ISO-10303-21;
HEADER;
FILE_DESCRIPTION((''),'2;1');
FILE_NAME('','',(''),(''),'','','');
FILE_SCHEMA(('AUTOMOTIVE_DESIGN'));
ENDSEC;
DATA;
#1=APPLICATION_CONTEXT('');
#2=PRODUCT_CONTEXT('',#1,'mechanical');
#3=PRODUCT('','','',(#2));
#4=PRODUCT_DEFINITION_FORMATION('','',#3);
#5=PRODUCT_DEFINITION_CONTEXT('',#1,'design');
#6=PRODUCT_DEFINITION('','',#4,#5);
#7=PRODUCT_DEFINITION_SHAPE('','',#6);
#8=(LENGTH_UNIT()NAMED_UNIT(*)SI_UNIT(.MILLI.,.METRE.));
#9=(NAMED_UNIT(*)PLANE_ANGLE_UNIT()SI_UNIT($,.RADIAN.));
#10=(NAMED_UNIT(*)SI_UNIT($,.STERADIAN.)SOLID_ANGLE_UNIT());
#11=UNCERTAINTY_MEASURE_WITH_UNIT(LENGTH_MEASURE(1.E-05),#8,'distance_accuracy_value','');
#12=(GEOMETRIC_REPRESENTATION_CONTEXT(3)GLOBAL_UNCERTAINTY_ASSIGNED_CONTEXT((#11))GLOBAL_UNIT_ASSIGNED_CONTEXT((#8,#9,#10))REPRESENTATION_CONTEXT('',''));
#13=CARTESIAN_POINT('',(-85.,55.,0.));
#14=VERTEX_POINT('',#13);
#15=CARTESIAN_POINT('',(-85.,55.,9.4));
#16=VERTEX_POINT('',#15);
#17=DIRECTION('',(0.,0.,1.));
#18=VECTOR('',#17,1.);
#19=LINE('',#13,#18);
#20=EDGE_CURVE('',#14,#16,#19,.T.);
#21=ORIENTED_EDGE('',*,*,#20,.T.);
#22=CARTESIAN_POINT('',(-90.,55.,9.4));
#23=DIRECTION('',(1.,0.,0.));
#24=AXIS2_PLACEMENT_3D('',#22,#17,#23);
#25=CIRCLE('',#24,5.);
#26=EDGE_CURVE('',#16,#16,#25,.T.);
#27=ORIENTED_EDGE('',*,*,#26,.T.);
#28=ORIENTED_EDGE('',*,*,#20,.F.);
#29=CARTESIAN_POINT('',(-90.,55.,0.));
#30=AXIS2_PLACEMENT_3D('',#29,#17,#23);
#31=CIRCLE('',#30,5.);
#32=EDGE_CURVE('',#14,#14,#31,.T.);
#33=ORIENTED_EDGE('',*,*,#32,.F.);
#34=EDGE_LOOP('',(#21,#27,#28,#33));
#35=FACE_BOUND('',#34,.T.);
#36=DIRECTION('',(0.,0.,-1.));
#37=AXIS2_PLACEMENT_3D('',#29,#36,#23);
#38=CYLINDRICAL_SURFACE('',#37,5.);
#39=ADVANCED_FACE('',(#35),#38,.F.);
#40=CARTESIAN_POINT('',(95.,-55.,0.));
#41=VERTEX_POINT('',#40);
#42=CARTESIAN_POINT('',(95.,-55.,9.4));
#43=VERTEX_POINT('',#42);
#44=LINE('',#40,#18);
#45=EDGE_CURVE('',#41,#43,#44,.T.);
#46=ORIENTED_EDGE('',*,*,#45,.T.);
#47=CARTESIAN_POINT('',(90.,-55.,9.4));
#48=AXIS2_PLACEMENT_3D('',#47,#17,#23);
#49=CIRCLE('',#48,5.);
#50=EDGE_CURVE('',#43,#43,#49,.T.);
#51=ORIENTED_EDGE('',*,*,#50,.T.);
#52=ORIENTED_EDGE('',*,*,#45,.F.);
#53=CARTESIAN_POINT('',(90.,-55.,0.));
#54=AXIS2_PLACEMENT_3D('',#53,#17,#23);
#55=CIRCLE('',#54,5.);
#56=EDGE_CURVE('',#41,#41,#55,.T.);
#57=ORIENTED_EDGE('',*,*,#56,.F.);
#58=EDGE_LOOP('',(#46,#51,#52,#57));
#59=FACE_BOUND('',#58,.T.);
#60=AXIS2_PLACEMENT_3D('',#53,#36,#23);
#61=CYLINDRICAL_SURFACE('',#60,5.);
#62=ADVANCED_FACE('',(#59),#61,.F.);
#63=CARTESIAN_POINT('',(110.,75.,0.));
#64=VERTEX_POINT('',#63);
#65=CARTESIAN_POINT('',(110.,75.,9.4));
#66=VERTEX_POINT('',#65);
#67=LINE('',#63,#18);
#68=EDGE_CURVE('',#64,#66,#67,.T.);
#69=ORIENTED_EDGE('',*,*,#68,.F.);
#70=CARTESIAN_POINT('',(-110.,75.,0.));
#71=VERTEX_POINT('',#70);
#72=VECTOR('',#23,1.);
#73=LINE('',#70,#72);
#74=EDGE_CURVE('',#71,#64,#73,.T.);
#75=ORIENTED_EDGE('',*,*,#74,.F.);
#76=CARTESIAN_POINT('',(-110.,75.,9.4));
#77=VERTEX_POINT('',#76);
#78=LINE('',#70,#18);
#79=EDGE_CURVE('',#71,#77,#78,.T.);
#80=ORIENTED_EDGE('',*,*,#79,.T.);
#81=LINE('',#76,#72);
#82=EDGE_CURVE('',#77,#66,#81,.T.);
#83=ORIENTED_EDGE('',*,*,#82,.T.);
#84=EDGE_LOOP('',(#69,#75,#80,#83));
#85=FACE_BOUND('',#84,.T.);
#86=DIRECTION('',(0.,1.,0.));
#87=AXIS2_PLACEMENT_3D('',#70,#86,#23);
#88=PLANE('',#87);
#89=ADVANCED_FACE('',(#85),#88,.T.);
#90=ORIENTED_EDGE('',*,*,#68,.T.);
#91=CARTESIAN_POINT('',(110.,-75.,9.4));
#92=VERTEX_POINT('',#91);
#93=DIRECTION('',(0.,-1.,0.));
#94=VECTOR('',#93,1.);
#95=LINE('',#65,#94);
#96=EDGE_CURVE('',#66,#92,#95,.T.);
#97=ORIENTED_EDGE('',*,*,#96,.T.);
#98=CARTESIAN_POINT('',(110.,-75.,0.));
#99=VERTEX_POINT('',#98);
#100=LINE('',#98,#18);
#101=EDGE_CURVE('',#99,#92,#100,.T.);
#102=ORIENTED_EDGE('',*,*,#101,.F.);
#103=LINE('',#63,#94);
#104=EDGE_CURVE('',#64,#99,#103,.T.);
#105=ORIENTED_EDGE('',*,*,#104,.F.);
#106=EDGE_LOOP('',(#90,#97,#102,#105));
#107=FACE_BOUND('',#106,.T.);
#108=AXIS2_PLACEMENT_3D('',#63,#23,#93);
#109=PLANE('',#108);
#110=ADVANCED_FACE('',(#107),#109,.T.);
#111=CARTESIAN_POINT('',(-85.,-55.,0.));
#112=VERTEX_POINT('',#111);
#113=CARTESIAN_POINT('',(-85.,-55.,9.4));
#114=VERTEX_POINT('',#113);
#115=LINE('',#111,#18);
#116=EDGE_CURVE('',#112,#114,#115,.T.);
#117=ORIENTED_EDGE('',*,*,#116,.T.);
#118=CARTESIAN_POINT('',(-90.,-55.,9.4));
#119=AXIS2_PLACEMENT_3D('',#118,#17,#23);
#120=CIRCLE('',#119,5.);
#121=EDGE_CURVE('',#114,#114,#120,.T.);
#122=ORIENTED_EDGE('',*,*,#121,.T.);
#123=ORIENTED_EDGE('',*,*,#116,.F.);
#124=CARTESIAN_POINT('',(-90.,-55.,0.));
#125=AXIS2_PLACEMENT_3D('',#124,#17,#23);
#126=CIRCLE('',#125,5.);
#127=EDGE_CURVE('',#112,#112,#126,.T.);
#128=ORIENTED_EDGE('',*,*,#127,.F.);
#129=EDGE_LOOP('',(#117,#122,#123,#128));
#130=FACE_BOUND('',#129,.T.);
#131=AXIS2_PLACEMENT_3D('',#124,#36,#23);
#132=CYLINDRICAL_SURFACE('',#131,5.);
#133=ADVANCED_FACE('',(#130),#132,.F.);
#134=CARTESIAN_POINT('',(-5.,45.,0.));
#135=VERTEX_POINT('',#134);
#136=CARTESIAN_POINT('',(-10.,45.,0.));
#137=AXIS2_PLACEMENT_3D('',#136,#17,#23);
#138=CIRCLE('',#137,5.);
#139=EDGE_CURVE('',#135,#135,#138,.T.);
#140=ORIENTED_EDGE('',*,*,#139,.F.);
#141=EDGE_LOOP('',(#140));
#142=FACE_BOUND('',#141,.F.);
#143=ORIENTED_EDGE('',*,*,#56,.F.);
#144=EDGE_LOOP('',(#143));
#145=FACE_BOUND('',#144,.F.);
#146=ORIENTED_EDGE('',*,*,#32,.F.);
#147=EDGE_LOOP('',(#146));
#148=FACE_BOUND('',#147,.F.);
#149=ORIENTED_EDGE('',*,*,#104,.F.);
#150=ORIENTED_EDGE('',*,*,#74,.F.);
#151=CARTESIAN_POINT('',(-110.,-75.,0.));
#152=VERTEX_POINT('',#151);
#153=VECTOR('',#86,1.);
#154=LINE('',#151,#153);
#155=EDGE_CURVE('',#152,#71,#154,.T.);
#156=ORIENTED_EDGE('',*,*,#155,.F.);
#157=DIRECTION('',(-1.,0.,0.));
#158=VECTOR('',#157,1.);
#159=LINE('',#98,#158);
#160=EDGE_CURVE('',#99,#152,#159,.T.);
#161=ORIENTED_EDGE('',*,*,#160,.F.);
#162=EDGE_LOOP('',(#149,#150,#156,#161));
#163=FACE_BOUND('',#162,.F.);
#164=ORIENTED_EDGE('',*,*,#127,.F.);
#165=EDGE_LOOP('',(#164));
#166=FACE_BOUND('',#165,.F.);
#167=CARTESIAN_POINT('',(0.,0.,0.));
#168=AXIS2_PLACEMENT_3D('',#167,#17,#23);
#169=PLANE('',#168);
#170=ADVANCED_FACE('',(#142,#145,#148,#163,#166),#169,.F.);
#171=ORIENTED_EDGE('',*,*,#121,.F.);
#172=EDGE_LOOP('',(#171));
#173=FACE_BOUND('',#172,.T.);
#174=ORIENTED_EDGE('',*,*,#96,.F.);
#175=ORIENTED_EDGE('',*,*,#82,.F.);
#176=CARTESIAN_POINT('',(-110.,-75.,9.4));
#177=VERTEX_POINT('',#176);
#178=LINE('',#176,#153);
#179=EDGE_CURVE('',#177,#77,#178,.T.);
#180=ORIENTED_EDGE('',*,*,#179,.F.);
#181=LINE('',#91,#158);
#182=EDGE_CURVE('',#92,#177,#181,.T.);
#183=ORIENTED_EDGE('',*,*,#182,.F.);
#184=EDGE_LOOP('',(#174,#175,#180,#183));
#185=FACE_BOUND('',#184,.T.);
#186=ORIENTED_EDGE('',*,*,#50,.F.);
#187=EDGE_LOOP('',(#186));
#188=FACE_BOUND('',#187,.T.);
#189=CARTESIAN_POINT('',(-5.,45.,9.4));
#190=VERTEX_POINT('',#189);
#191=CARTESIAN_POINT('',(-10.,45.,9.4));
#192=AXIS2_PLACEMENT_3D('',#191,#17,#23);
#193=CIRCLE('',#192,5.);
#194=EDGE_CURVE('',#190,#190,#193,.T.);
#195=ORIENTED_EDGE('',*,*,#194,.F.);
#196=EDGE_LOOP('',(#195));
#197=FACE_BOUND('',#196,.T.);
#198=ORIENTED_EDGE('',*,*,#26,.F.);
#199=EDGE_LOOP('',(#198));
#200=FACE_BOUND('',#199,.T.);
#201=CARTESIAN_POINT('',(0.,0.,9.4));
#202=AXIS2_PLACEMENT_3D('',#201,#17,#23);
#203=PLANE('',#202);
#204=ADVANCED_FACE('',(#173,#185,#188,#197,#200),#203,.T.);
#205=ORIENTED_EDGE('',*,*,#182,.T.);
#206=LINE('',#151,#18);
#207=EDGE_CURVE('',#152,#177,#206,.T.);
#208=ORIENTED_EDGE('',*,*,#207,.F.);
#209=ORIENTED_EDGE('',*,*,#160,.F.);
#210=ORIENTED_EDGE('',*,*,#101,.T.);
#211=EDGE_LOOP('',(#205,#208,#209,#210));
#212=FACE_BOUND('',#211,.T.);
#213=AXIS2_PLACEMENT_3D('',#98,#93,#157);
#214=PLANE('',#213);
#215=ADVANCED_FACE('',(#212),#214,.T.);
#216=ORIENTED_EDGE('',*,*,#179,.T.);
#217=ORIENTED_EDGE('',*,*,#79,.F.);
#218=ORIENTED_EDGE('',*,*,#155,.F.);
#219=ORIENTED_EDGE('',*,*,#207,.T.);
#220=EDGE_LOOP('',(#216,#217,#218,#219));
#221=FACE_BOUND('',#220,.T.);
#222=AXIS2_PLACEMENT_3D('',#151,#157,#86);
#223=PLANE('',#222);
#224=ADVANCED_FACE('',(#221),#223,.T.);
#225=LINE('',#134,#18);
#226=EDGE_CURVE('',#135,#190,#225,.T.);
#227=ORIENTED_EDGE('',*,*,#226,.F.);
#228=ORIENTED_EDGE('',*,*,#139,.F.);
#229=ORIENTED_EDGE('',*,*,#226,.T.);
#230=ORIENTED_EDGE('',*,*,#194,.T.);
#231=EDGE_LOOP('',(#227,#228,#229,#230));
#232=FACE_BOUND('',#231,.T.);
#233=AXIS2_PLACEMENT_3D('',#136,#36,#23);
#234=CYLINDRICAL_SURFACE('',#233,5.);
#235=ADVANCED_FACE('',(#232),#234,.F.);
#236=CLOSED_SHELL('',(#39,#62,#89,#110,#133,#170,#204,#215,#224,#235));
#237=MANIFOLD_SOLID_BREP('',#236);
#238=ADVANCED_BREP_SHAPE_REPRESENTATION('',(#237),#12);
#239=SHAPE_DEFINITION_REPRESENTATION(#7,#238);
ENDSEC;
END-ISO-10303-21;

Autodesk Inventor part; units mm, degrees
ref_plane "YZ Plane" through (0, 0, 0) normal (1, 0, 0) x (0, 1, 0)
ref_plane "XZ Plane" through (0, 0, 0) normal (0, 1, 0) x (-1, 0, 0)
ref_plane "XY Plane" through (0, 0, 0) normal (0, 0, 1) x (1, 0, 0)
sketch "Sketch1" plane through (0, 0, 0) normal (0, 0, 1) x (1, 0, 0)
  line L0 (-110, 75) -> (110, 75)
  line L1 (110, 75) -> (110, -75)
  line L2 (110, -75) -> (-110, -75)
  line L3 (-110, -75) -> (-110, 75)
  line L4 (40, -10) -> (60, -10) construction
  line L5 (60, -10) -> (60, -30) construction
  line L6 (60, -30) -> (40, -30) construction
  line L7 (40, -30) -> (40, -10) construction
  line L8 (-67, 0) -> (-42, 0) construction
  line L9 (-42, 0) -> (-42, -30) construction
  line L10 (-42, -30) -> (-67, -30) construction
  line L11 (-67, -30) -> (-67, 0) construction
  circle A0 centre (-90, 55) radius 5
  circle A1 centre (-90, -55) radius 5
  circle A2 centre (90, -55) radius 5
  circle A3 centre (-10, 45) radius 5
  line L12 (-110, 75) -> (110, -75) construction
  line L13 (110, 75) -> (-110, -75) construction
  point P0 (0, 0)
  dimension "d0" = 220
  dimension "d1" = 150
  dimension "d2" = 110
  dimension "d3" = 75
  dimension "d4" = 20
  dimension "d5" = 20
  dimension "d6" = 10
  dimension "d7" = 40
  dimension "d8" = 10
  dimension "d9" = 90
  dimension "d10" = 55
  dimension "d11" = 10
  dimension "d12" = 10
  dimension "d13" = 10
  dimension "d14" = 55
  dimension "d15" = 42
  dimension "d16" = 30
  dimension "d17" = 25
  dimension "d18" = 0
  dimension "d19" = 90
  dimension "d20" = 45
  dimension "d21" = 10
  dimension "d22" = 90
  dimension "d23" = 55
extrude "Extrusion1" add sketch "Sketch1" along normal blind 9.4
properties part number "Template" material "Polycarbonate, Clear"
